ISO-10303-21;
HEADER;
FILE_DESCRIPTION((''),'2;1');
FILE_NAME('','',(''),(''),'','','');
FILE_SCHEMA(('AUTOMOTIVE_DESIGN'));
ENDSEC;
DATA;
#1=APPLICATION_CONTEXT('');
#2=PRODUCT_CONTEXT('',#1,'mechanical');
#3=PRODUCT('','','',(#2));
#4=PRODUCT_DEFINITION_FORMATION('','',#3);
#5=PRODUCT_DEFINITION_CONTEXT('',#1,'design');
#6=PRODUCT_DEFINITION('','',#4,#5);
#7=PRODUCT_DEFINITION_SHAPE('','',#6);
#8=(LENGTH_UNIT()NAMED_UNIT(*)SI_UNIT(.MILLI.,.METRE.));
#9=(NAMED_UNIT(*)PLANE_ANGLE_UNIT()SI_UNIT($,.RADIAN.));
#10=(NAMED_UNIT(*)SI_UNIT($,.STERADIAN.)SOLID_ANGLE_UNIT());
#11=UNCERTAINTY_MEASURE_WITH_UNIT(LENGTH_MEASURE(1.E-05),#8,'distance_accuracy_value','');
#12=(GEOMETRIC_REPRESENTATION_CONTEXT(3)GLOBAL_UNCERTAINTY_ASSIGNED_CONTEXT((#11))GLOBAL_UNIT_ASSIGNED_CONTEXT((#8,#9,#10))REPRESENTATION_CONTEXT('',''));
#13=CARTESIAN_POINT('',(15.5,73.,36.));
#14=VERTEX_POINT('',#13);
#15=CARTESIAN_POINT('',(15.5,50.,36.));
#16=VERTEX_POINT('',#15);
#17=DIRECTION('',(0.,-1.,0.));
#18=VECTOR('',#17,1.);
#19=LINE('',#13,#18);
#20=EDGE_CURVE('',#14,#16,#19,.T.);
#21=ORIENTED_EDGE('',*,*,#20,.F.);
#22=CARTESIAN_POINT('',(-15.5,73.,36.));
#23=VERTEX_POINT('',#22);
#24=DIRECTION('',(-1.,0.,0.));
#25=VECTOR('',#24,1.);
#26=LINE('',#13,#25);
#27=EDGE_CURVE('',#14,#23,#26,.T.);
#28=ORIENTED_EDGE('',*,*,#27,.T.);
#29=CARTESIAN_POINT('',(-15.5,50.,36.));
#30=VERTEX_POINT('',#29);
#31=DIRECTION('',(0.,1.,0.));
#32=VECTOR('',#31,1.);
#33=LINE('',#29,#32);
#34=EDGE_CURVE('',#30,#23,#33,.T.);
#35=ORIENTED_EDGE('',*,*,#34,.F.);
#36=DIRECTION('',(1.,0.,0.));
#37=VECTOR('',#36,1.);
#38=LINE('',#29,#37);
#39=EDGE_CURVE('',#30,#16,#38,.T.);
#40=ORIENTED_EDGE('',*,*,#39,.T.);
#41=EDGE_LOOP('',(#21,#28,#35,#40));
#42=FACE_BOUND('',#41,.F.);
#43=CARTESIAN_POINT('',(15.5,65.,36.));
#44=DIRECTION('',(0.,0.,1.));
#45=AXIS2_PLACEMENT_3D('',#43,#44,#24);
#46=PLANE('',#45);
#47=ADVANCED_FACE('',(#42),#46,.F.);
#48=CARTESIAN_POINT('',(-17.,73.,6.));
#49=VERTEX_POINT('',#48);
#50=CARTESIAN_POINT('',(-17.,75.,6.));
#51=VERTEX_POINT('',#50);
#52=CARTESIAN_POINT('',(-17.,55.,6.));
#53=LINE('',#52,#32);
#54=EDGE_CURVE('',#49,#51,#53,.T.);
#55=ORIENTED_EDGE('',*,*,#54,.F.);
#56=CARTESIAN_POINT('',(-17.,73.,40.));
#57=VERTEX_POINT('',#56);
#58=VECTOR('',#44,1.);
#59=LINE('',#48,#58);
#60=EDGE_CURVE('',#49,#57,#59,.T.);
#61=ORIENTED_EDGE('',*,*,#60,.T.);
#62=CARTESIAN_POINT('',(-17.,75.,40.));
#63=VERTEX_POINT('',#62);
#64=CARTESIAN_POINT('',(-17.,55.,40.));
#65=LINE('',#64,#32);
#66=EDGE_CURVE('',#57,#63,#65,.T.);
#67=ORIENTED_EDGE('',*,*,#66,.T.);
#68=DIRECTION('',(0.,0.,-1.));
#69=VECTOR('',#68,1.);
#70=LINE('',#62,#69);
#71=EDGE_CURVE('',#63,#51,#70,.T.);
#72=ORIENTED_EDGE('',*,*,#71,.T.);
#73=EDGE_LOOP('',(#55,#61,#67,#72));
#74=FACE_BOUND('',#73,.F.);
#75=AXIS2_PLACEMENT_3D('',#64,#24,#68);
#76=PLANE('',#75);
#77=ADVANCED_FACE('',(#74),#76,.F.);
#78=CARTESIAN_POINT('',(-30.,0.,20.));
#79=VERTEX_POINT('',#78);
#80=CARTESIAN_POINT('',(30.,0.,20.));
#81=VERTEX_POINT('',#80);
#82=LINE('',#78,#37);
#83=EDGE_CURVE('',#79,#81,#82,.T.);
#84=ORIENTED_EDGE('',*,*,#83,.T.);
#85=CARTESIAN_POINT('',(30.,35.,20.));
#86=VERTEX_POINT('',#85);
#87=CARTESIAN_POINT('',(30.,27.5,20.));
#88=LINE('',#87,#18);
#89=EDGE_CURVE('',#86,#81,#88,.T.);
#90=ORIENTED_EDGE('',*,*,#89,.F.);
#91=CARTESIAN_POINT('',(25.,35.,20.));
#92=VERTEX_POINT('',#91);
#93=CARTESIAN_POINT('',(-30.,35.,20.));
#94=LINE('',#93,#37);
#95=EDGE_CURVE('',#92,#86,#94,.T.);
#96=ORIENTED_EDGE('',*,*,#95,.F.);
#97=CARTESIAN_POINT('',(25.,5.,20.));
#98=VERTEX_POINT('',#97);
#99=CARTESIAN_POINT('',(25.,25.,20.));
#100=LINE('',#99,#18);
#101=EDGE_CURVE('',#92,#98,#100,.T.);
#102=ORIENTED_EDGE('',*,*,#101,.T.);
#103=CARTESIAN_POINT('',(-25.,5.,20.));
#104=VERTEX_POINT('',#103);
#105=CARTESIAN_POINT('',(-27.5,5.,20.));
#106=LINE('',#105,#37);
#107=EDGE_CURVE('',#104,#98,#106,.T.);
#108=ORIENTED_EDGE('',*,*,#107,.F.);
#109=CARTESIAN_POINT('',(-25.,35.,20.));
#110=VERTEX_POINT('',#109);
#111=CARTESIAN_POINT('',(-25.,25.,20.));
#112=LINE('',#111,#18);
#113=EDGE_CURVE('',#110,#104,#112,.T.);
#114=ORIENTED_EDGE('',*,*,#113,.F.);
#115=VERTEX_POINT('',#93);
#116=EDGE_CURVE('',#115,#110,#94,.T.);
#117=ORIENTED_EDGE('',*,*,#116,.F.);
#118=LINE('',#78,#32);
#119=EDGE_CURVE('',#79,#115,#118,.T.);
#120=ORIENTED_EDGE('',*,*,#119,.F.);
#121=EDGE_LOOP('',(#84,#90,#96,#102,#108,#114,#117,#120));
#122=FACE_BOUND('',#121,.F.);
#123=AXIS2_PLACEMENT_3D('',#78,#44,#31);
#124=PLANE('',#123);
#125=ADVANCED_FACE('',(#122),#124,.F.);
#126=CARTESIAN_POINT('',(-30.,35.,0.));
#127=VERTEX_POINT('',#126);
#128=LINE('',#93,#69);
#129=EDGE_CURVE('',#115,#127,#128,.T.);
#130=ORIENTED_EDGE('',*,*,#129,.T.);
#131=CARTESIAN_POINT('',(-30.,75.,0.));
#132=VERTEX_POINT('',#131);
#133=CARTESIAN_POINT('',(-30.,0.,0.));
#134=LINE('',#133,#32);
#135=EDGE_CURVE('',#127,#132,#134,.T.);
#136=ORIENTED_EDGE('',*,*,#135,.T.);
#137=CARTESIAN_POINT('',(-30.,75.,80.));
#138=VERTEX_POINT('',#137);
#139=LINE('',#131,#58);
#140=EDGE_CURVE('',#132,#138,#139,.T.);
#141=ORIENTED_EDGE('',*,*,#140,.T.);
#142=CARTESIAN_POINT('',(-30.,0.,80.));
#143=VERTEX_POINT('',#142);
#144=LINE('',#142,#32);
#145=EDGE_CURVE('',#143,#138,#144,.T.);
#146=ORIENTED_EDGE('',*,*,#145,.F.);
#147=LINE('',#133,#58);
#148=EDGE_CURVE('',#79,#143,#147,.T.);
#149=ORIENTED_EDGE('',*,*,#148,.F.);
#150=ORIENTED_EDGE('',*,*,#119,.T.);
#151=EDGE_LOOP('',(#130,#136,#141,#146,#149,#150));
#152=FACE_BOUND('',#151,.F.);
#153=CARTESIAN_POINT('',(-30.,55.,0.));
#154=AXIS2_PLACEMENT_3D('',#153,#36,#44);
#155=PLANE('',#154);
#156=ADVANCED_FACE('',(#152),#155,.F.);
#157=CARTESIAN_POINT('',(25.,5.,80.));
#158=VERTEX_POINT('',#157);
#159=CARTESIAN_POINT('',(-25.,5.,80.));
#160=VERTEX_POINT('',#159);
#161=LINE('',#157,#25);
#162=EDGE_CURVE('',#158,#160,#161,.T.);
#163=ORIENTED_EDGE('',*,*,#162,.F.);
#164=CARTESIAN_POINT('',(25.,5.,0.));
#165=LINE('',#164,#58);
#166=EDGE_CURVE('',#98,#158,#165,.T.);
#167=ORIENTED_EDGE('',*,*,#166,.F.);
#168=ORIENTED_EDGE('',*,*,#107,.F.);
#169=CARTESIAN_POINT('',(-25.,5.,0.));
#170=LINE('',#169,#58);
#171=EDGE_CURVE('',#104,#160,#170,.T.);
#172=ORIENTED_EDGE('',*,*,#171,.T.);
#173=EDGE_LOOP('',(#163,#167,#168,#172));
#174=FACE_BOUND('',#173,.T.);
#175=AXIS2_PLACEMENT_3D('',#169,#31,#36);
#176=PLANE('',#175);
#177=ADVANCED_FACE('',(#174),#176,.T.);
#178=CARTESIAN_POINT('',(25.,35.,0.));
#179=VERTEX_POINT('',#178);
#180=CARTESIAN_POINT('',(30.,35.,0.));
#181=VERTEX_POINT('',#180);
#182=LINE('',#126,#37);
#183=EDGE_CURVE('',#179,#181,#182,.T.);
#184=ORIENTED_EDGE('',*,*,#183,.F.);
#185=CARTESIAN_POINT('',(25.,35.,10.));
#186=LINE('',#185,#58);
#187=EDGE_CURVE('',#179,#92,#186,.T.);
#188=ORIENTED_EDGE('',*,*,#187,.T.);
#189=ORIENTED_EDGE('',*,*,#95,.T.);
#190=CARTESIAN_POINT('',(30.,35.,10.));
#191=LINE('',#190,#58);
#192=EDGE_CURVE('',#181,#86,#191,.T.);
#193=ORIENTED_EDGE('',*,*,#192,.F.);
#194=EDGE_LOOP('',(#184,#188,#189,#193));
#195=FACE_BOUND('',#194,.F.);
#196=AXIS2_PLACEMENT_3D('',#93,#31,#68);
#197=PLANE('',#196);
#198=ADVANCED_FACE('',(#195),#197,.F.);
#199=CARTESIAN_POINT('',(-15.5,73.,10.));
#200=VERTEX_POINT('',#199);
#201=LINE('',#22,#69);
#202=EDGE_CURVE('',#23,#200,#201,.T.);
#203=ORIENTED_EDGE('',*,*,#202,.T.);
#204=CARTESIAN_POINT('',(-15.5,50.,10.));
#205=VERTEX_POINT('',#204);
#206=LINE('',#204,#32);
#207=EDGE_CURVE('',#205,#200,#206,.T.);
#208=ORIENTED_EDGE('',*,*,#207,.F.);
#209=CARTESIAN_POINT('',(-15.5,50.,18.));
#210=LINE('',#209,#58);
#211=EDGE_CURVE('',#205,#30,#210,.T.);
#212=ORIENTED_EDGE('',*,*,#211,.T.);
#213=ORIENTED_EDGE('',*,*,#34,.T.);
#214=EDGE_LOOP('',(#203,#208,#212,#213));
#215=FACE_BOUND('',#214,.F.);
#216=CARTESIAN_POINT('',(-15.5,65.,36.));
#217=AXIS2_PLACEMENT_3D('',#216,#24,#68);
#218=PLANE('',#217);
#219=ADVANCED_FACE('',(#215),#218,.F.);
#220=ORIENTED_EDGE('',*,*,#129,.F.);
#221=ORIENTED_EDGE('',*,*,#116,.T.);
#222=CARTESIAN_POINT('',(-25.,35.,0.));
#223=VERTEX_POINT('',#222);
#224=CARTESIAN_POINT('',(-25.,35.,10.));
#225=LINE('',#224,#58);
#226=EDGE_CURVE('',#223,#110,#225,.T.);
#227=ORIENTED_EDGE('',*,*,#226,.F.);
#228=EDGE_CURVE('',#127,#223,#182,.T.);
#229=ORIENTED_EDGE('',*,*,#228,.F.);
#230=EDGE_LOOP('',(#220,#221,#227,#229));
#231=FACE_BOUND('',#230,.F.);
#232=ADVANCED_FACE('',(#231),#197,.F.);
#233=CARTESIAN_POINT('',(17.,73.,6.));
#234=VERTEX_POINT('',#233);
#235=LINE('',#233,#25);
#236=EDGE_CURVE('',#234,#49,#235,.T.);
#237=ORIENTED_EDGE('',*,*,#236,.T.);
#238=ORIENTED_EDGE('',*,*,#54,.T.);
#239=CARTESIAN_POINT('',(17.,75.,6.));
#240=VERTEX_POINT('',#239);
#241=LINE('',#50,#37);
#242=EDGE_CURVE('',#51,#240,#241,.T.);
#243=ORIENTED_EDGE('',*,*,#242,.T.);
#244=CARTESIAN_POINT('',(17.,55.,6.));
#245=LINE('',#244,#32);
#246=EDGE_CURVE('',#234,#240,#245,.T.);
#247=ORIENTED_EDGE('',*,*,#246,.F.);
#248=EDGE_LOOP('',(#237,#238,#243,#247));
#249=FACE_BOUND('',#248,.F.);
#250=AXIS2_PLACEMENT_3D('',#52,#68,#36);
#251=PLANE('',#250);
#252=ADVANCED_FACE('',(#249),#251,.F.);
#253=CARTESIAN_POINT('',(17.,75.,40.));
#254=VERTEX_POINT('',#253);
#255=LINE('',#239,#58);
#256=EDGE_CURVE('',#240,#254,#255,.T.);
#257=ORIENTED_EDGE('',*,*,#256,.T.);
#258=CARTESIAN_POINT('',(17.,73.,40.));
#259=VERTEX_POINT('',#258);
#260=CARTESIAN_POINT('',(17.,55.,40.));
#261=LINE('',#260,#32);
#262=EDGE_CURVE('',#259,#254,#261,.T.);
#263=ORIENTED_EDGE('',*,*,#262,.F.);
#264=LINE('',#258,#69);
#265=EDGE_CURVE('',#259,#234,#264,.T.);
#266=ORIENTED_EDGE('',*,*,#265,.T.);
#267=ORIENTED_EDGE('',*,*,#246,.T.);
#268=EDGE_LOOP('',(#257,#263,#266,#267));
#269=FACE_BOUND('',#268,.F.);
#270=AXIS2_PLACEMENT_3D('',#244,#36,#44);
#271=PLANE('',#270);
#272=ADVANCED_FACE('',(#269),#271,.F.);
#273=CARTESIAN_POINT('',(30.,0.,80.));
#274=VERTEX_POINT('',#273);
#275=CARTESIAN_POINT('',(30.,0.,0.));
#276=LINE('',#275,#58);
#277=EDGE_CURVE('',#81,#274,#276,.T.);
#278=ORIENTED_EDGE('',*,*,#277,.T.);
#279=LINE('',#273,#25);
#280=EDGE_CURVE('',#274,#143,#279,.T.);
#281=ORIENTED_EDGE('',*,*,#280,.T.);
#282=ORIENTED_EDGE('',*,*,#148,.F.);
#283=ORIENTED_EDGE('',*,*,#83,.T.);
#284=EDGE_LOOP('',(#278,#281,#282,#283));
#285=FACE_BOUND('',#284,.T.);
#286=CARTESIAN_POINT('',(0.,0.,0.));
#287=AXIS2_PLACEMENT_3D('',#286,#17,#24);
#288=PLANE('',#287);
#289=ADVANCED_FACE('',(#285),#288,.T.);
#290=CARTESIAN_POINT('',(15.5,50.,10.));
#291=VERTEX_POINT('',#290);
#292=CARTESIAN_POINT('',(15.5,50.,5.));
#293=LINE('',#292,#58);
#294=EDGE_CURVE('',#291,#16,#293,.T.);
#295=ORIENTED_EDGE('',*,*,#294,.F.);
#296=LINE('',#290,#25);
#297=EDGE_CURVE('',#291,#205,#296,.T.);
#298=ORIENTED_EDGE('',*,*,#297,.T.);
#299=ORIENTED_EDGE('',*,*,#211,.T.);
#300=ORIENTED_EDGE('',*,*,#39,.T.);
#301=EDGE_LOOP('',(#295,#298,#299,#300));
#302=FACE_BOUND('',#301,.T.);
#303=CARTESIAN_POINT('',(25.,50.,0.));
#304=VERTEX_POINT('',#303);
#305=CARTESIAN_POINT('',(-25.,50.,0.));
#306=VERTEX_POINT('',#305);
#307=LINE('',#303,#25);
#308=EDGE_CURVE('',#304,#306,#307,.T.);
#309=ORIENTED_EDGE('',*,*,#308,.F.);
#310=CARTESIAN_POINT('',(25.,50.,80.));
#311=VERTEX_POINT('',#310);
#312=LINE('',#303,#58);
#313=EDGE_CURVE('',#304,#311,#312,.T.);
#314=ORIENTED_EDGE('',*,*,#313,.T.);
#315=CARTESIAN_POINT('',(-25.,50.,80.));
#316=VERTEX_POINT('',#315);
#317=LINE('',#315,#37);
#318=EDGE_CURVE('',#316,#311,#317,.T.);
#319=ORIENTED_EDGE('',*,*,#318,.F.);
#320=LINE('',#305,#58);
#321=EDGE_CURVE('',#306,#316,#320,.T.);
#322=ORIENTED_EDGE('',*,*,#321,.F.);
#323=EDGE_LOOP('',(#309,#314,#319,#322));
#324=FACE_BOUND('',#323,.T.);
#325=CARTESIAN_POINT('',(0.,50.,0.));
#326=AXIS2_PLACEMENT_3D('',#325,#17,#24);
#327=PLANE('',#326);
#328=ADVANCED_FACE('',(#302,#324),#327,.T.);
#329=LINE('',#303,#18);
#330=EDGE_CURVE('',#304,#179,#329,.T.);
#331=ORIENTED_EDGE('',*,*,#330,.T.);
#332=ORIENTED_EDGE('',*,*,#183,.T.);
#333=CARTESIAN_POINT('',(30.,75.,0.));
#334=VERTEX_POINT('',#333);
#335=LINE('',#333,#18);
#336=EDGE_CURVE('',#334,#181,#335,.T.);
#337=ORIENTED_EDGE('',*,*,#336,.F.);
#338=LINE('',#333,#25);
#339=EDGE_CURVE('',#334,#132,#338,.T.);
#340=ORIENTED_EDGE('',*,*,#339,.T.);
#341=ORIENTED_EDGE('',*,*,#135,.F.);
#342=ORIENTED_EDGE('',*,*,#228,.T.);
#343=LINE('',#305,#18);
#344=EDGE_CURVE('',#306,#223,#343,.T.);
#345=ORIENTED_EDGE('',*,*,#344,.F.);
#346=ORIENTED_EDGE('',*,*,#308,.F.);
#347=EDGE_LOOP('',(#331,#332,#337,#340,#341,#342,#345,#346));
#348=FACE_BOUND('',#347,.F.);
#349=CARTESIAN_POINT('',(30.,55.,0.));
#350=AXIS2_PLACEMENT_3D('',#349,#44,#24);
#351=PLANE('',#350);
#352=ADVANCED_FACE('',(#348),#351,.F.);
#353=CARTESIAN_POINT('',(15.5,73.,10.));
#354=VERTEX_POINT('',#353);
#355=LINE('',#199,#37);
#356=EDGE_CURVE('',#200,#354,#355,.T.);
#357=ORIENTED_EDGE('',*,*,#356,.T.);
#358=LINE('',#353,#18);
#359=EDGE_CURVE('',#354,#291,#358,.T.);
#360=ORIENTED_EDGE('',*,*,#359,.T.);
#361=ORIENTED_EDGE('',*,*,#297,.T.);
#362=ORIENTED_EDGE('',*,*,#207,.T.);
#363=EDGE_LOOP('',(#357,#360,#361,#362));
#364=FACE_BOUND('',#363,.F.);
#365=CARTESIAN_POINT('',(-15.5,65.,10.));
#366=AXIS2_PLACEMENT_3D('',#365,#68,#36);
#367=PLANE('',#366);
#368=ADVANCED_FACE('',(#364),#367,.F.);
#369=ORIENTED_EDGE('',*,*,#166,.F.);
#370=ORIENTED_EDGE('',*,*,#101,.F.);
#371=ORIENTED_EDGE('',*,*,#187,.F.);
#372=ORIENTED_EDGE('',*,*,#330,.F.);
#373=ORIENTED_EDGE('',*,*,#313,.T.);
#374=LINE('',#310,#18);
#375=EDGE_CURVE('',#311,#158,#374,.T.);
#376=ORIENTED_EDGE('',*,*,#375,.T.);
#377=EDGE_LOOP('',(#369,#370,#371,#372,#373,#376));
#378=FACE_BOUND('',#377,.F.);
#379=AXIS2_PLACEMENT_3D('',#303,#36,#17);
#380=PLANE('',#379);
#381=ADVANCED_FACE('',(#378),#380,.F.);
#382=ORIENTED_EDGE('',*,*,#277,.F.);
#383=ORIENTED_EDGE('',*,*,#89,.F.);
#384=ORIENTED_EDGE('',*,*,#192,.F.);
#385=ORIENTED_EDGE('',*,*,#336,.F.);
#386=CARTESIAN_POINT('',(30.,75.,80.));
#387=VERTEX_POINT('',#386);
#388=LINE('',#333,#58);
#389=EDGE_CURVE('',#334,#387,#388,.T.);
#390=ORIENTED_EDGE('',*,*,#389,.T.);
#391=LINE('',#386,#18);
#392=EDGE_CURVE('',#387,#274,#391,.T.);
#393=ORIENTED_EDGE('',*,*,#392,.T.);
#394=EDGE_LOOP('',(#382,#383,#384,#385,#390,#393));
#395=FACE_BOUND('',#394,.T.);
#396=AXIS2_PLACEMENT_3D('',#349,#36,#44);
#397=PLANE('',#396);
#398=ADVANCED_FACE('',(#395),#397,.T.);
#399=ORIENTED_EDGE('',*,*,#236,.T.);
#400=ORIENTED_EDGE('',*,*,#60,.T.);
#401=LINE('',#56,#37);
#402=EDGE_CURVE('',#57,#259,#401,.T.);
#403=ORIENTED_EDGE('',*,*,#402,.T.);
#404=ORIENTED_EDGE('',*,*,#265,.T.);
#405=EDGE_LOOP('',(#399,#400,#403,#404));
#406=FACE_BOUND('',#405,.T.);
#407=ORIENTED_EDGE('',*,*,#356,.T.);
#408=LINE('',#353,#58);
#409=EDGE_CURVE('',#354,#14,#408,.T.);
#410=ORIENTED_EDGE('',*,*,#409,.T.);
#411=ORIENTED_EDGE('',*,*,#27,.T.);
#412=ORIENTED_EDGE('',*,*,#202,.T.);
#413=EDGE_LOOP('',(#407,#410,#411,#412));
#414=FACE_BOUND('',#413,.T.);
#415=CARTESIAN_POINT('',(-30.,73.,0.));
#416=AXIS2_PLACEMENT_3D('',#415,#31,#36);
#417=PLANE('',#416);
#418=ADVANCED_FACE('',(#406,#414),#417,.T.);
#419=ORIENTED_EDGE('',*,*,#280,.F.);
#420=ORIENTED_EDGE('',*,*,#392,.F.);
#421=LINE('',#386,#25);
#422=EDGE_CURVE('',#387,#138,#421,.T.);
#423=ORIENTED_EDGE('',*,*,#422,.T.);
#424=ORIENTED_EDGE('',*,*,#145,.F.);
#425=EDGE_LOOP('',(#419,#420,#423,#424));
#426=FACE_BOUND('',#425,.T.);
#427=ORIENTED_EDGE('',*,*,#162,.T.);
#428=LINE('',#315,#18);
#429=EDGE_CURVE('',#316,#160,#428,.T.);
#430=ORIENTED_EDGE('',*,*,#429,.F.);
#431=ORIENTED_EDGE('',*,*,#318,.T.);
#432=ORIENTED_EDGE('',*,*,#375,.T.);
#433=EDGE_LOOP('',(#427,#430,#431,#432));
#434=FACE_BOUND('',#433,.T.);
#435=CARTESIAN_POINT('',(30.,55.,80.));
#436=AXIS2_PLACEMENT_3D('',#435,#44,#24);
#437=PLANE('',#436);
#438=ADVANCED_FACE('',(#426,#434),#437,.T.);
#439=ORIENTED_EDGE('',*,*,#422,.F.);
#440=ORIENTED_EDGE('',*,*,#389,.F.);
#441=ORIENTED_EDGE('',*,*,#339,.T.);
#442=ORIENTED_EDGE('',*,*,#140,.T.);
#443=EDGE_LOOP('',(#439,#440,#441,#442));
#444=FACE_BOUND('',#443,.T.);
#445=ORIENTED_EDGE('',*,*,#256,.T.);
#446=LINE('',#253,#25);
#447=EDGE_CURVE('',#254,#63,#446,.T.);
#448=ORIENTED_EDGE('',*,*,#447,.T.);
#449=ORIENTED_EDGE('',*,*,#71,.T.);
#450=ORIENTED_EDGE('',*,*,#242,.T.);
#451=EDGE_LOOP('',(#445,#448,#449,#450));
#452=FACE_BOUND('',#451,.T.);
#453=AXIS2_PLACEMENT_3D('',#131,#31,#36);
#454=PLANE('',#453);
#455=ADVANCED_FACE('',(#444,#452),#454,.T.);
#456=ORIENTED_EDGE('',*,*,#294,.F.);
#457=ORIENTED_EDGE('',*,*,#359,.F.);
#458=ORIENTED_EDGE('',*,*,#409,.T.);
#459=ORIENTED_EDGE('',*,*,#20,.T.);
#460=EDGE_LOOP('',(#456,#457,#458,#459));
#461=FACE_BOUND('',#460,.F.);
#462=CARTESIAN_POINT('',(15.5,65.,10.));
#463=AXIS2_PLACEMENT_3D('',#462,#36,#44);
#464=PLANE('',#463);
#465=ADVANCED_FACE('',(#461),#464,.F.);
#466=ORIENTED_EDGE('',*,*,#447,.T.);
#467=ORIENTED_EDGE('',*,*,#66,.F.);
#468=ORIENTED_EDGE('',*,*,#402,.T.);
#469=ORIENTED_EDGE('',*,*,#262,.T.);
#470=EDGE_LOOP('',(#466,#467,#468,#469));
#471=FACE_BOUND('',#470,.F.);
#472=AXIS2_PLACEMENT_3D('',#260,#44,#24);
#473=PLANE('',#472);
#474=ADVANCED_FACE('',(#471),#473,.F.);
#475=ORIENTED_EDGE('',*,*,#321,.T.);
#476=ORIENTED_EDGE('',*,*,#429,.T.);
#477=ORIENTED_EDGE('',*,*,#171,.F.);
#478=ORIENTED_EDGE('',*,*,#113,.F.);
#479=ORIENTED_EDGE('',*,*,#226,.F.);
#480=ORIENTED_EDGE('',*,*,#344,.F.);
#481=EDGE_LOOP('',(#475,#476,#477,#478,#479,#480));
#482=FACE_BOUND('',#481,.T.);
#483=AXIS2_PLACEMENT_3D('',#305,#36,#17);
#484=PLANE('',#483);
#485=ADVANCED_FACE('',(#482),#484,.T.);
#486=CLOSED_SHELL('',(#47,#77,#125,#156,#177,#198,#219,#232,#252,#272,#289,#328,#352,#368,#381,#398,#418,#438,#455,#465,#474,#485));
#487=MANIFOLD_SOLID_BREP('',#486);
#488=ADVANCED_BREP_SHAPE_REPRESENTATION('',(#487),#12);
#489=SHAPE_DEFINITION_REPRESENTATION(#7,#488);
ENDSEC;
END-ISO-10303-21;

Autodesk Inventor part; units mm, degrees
ref_plane "YZ Plane" through (0, 0, 0) normal (1, 0, 0) x (0, 1, 0)
ref_plane "XZ Plane" through (0, 0, 0) normal (0, 1, 0) x (-1, 0, 0)
ref_plane "XY Plane" through (0, 0, 0) normal (0, 0, 1) x (1, 0, 0)
sketch "Sketch1" plane through (0, 0, 0) normal (0, 0, 1) x (1, 0, 0)
  line L0 (0, 0) -> (0, 50) construction
  line L1 (0, 0) -> (-30, 0)
  line L2 (-30, 0) -> (-30, 55)
  line L3 (-30, 55) -> (0, 55)
  line L4 (0, 55) -> (0, 50) construction
  line L5 (0, 50) -> (-25, 50)
  line L6 (-25, 50) -> (-25, 5)
  line L7 (-25, 5) -> (0, 5)
  line L8 (0, 5) -> (0, 0) construction
  line L9 (0, 0) -> (30, 0)
  line L10 (30, 0) -> (30, 55)
  line L11 (30, 55) -> (0, 55)
  line L12 (0, 50) -> (25, 50)
  line L13 (25, 50) -> (25, 5)
  line L14 (25, 5) -> (0, 5)
  dimension "d0" = 50
  dimension "d1" = 30
  dimension "d2" = 55
  dimension "d3" = 25
  dimension "d4" = 45
extrude "Extrusion1" add sketch "Sketch1" along normal blind 80
sketch "Sketch2" plane through (-30, 55, 0) normal (0, 1, 0) x (1, 0, 0)
  line L0 (13, -6) -> (47, -6)
  line L1 (47, -6) -> (47, -40)
  line L2 (47, -40) -> (13, -40)
  line L3 (13, -40) -> (13, -6)
  line L4 (13, -6) -> (47, -40) construction
  line L5 (47, -6) -> (13, -40) construction
  line L6 (14.5, -10) -> (45.5, -10)
  line L7 (45.5, -10) -> (45.5, -36)
  line L8 (45.5, -36) -> (14.5, -36)
  line L9 (14.5, -36) -> (14.5, -10)
  line L10 (14.5, -10) -> (45.5, -36) construction
  line L11 (45.5, -10) -> (14.5, -36) construction
  line L12 (0, 0) -> (0, -80) projected
  line L13 (60, 0) -> (0, 0) projected
  line L14 (60, -80) -> (0, -80) projected
  line L15 (60, 0) -> (60, -80) projected
  point P0 (30, 0)
  point P1 (30, -23)
  dimension "d7" = 34
  dimension "d8" = 34
  dimension "d9" = 31
  dimension "d10" = 26
  dimension "d11" = 30
  dimension "d12" = 23
extrude "Extrusion2" cut sketch "Sketch2" against normal blind 10 contours L6 L7 L8 L9
extrude "Extrusion3" add sketch "Sketch2" along normal blind 10 contours L0 L1 L2 L3
extrude "Extrusion4" add sketch "Sketch2" along normal blind 20 contours L13 L15 L14 L12
sketch "Sketch3" plane through (-30, 0, 0) normal (-1, 0, 0) x (0, 0, 1)
  line L0 (0, 0) -> (20, 0)
  line L1 (20, 0) -> (20, 35)
  line L2 (20, 35) -> (0, 35)
  line L3 (0, 35) -> (0, 0)
  dimension "d19" = 20
  dimension "d20" = 35
extrude "Extrusion5" cut sketch "Sketch3" against normal through all
sketch "Sketch4" plane through (-30, 65, 0) normal (0, 1, 0) x (1, 0, 0)
  line L0 (13, -40) -> (47, -40) projected
  line L1 (47, -40) -> (47, -6) projected
  line L2 (47, -6) -> (13, -6) projected
  line L3 (13, -6) -> (13, -40) projected
  line L4 (14.5, -36) -> (14.5, -10) projected
  line L5 (14.5, -10) -> (45.5, -10) projected
  line L6 (45.5, -10) -> (45.5, -36) projected
  line L7 (45.5, -36) -> (14.5, -36) projected
  point P0 (30, 0)
extrude "Extrusion6" add sketch "Sketch4" along normal blind 8
properties part number "color sensor holder"
